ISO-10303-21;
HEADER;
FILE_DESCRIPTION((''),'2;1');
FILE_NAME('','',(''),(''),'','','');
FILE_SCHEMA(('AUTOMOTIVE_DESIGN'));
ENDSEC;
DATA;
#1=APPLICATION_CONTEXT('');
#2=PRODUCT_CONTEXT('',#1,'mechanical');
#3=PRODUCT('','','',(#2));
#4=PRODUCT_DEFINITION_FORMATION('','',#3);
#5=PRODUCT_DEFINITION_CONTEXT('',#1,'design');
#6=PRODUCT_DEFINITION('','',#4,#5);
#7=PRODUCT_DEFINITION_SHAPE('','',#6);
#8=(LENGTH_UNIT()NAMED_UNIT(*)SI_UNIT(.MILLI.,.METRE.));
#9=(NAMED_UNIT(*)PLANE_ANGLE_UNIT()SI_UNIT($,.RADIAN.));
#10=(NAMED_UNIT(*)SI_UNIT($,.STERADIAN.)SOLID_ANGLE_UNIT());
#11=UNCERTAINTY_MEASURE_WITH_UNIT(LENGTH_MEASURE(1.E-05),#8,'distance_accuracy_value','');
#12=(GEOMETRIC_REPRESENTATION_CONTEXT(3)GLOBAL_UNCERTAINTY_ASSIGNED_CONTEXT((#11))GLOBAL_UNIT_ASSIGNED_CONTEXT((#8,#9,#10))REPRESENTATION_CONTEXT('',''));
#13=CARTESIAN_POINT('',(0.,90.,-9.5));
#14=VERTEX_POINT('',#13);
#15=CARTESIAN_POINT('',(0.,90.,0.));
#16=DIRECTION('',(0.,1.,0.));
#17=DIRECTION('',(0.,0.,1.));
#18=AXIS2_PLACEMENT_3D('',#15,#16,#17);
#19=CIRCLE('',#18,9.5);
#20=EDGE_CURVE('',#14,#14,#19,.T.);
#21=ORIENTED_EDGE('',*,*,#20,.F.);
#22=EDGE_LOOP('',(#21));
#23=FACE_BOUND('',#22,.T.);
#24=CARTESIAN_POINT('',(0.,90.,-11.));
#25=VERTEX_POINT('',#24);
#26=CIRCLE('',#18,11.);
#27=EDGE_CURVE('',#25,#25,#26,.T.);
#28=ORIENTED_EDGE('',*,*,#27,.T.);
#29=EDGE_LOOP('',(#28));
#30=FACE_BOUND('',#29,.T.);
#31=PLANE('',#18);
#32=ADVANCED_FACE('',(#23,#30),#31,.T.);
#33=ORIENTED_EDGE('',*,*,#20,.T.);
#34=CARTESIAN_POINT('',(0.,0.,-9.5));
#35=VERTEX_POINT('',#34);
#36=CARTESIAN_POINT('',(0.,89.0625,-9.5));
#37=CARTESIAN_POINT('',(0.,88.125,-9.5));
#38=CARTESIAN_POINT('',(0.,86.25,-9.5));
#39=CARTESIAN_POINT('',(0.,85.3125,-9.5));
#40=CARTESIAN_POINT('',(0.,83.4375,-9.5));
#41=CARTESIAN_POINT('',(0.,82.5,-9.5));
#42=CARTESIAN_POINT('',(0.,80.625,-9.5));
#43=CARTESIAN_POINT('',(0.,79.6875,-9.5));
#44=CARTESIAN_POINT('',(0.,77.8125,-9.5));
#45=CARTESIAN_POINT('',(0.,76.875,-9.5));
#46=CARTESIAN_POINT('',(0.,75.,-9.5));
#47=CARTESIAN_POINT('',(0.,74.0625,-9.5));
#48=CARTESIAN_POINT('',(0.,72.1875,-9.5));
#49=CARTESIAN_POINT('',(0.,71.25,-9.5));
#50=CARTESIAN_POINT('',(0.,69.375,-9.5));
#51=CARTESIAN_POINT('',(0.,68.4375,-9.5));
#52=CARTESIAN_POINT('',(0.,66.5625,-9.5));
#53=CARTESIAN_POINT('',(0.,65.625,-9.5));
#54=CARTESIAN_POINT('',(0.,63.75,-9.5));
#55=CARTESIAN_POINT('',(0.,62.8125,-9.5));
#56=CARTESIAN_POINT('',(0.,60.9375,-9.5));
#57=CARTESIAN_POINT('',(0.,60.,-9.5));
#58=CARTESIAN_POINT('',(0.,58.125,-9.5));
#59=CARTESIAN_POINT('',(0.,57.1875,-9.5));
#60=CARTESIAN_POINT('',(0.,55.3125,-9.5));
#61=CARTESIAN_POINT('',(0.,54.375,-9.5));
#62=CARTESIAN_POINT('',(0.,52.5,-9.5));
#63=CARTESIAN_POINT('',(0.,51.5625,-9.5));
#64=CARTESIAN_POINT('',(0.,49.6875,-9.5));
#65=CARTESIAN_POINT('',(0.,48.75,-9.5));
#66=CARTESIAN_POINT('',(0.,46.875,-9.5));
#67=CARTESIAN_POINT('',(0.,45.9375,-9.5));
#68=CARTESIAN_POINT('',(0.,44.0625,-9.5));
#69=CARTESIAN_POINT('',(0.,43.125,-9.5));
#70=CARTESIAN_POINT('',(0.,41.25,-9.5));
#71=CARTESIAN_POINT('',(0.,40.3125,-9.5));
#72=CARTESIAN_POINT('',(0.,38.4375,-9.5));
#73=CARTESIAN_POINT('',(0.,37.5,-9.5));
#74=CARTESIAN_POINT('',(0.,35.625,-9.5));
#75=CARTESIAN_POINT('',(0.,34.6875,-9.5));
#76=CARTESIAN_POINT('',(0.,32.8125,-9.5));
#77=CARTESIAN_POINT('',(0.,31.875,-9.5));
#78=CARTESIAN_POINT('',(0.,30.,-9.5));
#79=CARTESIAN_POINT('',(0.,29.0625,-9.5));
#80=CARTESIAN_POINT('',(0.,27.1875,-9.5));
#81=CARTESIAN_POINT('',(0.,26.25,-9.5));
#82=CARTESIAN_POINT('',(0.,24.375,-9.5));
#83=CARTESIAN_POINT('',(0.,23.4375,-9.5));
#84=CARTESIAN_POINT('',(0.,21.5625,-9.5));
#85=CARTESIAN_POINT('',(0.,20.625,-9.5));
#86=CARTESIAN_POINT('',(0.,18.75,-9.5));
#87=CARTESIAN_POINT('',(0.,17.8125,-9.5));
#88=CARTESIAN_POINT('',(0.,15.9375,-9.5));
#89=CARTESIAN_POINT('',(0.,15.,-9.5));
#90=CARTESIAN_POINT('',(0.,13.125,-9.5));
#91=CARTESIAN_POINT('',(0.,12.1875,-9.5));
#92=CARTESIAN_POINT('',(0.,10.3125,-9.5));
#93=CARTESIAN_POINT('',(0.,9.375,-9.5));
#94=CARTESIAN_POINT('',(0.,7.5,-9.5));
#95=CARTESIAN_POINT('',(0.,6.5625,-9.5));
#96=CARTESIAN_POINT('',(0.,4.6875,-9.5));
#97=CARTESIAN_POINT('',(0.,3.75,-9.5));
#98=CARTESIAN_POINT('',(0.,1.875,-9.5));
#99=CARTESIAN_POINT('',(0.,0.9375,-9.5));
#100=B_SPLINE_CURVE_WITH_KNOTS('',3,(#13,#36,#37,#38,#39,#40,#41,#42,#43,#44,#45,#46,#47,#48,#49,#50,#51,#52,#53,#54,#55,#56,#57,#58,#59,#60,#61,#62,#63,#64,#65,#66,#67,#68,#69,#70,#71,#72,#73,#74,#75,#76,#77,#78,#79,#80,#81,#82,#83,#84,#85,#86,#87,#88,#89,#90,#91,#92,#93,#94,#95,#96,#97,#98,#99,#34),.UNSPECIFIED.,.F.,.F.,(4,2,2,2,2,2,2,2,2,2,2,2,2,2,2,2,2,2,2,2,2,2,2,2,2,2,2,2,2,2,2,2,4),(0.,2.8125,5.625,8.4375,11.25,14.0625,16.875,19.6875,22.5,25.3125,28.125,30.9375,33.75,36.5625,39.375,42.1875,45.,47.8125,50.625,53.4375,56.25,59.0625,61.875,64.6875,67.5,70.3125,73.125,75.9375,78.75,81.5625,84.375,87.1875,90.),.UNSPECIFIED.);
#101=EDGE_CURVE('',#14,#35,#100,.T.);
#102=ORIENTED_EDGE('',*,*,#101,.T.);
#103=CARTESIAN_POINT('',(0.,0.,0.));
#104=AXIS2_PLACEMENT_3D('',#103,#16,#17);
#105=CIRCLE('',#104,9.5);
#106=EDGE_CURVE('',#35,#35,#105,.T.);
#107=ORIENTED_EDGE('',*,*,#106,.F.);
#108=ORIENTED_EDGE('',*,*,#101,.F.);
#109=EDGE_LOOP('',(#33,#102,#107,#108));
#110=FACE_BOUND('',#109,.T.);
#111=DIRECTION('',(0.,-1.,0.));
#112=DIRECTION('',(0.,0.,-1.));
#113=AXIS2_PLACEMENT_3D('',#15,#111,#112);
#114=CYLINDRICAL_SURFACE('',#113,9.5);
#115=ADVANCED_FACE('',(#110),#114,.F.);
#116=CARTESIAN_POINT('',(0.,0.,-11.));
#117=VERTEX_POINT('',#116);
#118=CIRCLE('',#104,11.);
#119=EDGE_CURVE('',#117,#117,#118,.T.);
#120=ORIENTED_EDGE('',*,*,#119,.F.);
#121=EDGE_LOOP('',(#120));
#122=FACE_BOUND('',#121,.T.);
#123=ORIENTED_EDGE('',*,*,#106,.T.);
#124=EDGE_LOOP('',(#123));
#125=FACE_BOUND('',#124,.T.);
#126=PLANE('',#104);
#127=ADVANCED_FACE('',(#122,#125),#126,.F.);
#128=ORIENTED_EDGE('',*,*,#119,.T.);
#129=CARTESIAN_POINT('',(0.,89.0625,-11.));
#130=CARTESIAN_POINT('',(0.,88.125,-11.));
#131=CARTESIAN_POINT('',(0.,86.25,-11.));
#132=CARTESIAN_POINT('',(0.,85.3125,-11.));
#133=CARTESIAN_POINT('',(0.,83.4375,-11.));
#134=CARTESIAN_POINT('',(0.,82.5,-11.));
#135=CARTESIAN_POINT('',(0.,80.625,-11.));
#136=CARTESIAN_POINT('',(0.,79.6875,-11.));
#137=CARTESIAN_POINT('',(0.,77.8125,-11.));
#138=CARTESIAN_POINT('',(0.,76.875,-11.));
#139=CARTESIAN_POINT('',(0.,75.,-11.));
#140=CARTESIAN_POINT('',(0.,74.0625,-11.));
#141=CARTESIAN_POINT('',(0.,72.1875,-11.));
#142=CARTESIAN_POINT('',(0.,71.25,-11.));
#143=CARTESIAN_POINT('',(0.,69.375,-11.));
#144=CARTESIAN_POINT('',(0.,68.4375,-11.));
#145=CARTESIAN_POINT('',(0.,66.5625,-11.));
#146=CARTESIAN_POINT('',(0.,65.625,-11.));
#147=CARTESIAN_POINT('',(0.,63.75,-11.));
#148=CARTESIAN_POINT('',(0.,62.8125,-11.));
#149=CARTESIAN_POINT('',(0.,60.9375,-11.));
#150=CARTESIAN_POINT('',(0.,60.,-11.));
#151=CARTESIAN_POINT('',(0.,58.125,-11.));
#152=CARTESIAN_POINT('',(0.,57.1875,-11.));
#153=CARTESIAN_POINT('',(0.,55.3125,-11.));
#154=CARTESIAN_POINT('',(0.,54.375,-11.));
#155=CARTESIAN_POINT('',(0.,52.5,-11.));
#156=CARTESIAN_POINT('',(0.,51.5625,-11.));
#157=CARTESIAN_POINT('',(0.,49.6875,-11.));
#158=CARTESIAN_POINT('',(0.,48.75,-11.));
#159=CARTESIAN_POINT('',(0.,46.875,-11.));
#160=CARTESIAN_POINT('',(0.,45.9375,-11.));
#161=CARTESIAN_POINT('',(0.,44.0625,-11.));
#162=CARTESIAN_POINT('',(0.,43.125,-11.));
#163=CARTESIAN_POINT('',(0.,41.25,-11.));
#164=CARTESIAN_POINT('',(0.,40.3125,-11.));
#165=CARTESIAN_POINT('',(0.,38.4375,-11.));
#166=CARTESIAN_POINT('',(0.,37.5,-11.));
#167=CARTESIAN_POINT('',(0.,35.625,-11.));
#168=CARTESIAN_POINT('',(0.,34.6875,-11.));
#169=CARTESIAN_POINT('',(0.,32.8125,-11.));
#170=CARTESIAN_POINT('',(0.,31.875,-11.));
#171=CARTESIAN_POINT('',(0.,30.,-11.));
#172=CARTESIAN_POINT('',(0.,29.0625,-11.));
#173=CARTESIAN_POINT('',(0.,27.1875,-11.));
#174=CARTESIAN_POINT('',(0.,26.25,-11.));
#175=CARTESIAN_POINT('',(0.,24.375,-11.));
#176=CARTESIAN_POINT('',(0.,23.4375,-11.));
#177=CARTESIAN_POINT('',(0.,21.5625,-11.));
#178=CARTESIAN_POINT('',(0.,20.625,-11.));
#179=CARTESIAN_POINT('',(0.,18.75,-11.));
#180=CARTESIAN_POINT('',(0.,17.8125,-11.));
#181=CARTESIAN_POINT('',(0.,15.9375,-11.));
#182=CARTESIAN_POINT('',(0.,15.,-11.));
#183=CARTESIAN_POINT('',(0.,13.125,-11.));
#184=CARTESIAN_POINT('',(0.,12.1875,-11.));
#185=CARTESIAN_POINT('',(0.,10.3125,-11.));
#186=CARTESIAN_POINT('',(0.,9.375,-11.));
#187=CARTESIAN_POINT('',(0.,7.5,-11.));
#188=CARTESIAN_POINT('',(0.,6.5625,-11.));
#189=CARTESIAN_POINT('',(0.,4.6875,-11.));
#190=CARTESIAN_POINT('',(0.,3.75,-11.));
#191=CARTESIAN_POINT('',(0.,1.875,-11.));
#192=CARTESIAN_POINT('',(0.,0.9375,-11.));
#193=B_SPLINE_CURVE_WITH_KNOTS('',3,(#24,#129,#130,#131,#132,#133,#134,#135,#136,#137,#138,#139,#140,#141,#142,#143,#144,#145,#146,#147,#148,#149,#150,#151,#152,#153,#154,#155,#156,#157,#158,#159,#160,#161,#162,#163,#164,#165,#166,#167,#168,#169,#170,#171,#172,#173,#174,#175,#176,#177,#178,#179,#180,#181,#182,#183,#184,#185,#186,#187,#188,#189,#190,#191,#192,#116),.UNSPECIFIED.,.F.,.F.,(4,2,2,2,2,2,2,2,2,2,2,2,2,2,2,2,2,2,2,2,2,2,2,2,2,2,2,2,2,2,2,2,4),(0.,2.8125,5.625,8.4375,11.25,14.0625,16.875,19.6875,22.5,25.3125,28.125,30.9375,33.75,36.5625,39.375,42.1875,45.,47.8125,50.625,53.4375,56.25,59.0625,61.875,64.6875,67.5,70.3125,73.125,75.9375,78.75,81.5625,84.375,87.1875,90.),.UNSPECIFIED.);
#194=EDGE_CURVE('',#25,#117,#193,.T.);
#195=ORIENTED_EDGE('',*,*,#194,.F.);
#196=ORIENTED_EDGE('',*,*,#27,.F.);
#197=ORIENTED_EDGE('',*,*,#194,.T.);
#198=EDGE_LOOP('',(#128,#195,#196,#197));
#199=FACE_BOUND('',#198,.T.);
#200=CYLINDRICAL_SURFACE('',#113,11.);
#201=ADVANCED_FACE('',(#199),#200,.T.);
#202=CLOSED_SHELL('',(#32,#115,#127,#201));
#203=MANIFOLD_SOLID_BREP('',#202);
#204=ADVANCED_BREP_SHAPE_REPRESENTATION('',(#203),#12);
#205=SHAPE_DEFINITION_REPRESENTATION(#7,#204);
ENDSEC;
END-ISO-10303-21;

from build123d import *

# Parameters (mm, degrees)
SKETCH1_R           = 11
SKETCH1_R_2         = 9.5
BOSS_EXTRUDE1_DEPTH = 90


with BuildPart() as part:
    # Sketch1 → Boss-Extrude1 (new body)
    with BuildSketch(Plane(origin=(0, 0, 0), x_dir=(1, 0, 0), z_dir=(0, 1, 0))):
        with Locations(Location((0, 0, 0), (0, 0, 90))):
            Circle(SKETCH1_R)
        with Locations(Location((0, 0, 0), (0, 0, 90))):
            Circle(SKETCH1_R_2, mode=Mode.SUBTRACT)
    extrude(amount=BOSS_EXTRUDE1_DEPTH)


solid = part.part
